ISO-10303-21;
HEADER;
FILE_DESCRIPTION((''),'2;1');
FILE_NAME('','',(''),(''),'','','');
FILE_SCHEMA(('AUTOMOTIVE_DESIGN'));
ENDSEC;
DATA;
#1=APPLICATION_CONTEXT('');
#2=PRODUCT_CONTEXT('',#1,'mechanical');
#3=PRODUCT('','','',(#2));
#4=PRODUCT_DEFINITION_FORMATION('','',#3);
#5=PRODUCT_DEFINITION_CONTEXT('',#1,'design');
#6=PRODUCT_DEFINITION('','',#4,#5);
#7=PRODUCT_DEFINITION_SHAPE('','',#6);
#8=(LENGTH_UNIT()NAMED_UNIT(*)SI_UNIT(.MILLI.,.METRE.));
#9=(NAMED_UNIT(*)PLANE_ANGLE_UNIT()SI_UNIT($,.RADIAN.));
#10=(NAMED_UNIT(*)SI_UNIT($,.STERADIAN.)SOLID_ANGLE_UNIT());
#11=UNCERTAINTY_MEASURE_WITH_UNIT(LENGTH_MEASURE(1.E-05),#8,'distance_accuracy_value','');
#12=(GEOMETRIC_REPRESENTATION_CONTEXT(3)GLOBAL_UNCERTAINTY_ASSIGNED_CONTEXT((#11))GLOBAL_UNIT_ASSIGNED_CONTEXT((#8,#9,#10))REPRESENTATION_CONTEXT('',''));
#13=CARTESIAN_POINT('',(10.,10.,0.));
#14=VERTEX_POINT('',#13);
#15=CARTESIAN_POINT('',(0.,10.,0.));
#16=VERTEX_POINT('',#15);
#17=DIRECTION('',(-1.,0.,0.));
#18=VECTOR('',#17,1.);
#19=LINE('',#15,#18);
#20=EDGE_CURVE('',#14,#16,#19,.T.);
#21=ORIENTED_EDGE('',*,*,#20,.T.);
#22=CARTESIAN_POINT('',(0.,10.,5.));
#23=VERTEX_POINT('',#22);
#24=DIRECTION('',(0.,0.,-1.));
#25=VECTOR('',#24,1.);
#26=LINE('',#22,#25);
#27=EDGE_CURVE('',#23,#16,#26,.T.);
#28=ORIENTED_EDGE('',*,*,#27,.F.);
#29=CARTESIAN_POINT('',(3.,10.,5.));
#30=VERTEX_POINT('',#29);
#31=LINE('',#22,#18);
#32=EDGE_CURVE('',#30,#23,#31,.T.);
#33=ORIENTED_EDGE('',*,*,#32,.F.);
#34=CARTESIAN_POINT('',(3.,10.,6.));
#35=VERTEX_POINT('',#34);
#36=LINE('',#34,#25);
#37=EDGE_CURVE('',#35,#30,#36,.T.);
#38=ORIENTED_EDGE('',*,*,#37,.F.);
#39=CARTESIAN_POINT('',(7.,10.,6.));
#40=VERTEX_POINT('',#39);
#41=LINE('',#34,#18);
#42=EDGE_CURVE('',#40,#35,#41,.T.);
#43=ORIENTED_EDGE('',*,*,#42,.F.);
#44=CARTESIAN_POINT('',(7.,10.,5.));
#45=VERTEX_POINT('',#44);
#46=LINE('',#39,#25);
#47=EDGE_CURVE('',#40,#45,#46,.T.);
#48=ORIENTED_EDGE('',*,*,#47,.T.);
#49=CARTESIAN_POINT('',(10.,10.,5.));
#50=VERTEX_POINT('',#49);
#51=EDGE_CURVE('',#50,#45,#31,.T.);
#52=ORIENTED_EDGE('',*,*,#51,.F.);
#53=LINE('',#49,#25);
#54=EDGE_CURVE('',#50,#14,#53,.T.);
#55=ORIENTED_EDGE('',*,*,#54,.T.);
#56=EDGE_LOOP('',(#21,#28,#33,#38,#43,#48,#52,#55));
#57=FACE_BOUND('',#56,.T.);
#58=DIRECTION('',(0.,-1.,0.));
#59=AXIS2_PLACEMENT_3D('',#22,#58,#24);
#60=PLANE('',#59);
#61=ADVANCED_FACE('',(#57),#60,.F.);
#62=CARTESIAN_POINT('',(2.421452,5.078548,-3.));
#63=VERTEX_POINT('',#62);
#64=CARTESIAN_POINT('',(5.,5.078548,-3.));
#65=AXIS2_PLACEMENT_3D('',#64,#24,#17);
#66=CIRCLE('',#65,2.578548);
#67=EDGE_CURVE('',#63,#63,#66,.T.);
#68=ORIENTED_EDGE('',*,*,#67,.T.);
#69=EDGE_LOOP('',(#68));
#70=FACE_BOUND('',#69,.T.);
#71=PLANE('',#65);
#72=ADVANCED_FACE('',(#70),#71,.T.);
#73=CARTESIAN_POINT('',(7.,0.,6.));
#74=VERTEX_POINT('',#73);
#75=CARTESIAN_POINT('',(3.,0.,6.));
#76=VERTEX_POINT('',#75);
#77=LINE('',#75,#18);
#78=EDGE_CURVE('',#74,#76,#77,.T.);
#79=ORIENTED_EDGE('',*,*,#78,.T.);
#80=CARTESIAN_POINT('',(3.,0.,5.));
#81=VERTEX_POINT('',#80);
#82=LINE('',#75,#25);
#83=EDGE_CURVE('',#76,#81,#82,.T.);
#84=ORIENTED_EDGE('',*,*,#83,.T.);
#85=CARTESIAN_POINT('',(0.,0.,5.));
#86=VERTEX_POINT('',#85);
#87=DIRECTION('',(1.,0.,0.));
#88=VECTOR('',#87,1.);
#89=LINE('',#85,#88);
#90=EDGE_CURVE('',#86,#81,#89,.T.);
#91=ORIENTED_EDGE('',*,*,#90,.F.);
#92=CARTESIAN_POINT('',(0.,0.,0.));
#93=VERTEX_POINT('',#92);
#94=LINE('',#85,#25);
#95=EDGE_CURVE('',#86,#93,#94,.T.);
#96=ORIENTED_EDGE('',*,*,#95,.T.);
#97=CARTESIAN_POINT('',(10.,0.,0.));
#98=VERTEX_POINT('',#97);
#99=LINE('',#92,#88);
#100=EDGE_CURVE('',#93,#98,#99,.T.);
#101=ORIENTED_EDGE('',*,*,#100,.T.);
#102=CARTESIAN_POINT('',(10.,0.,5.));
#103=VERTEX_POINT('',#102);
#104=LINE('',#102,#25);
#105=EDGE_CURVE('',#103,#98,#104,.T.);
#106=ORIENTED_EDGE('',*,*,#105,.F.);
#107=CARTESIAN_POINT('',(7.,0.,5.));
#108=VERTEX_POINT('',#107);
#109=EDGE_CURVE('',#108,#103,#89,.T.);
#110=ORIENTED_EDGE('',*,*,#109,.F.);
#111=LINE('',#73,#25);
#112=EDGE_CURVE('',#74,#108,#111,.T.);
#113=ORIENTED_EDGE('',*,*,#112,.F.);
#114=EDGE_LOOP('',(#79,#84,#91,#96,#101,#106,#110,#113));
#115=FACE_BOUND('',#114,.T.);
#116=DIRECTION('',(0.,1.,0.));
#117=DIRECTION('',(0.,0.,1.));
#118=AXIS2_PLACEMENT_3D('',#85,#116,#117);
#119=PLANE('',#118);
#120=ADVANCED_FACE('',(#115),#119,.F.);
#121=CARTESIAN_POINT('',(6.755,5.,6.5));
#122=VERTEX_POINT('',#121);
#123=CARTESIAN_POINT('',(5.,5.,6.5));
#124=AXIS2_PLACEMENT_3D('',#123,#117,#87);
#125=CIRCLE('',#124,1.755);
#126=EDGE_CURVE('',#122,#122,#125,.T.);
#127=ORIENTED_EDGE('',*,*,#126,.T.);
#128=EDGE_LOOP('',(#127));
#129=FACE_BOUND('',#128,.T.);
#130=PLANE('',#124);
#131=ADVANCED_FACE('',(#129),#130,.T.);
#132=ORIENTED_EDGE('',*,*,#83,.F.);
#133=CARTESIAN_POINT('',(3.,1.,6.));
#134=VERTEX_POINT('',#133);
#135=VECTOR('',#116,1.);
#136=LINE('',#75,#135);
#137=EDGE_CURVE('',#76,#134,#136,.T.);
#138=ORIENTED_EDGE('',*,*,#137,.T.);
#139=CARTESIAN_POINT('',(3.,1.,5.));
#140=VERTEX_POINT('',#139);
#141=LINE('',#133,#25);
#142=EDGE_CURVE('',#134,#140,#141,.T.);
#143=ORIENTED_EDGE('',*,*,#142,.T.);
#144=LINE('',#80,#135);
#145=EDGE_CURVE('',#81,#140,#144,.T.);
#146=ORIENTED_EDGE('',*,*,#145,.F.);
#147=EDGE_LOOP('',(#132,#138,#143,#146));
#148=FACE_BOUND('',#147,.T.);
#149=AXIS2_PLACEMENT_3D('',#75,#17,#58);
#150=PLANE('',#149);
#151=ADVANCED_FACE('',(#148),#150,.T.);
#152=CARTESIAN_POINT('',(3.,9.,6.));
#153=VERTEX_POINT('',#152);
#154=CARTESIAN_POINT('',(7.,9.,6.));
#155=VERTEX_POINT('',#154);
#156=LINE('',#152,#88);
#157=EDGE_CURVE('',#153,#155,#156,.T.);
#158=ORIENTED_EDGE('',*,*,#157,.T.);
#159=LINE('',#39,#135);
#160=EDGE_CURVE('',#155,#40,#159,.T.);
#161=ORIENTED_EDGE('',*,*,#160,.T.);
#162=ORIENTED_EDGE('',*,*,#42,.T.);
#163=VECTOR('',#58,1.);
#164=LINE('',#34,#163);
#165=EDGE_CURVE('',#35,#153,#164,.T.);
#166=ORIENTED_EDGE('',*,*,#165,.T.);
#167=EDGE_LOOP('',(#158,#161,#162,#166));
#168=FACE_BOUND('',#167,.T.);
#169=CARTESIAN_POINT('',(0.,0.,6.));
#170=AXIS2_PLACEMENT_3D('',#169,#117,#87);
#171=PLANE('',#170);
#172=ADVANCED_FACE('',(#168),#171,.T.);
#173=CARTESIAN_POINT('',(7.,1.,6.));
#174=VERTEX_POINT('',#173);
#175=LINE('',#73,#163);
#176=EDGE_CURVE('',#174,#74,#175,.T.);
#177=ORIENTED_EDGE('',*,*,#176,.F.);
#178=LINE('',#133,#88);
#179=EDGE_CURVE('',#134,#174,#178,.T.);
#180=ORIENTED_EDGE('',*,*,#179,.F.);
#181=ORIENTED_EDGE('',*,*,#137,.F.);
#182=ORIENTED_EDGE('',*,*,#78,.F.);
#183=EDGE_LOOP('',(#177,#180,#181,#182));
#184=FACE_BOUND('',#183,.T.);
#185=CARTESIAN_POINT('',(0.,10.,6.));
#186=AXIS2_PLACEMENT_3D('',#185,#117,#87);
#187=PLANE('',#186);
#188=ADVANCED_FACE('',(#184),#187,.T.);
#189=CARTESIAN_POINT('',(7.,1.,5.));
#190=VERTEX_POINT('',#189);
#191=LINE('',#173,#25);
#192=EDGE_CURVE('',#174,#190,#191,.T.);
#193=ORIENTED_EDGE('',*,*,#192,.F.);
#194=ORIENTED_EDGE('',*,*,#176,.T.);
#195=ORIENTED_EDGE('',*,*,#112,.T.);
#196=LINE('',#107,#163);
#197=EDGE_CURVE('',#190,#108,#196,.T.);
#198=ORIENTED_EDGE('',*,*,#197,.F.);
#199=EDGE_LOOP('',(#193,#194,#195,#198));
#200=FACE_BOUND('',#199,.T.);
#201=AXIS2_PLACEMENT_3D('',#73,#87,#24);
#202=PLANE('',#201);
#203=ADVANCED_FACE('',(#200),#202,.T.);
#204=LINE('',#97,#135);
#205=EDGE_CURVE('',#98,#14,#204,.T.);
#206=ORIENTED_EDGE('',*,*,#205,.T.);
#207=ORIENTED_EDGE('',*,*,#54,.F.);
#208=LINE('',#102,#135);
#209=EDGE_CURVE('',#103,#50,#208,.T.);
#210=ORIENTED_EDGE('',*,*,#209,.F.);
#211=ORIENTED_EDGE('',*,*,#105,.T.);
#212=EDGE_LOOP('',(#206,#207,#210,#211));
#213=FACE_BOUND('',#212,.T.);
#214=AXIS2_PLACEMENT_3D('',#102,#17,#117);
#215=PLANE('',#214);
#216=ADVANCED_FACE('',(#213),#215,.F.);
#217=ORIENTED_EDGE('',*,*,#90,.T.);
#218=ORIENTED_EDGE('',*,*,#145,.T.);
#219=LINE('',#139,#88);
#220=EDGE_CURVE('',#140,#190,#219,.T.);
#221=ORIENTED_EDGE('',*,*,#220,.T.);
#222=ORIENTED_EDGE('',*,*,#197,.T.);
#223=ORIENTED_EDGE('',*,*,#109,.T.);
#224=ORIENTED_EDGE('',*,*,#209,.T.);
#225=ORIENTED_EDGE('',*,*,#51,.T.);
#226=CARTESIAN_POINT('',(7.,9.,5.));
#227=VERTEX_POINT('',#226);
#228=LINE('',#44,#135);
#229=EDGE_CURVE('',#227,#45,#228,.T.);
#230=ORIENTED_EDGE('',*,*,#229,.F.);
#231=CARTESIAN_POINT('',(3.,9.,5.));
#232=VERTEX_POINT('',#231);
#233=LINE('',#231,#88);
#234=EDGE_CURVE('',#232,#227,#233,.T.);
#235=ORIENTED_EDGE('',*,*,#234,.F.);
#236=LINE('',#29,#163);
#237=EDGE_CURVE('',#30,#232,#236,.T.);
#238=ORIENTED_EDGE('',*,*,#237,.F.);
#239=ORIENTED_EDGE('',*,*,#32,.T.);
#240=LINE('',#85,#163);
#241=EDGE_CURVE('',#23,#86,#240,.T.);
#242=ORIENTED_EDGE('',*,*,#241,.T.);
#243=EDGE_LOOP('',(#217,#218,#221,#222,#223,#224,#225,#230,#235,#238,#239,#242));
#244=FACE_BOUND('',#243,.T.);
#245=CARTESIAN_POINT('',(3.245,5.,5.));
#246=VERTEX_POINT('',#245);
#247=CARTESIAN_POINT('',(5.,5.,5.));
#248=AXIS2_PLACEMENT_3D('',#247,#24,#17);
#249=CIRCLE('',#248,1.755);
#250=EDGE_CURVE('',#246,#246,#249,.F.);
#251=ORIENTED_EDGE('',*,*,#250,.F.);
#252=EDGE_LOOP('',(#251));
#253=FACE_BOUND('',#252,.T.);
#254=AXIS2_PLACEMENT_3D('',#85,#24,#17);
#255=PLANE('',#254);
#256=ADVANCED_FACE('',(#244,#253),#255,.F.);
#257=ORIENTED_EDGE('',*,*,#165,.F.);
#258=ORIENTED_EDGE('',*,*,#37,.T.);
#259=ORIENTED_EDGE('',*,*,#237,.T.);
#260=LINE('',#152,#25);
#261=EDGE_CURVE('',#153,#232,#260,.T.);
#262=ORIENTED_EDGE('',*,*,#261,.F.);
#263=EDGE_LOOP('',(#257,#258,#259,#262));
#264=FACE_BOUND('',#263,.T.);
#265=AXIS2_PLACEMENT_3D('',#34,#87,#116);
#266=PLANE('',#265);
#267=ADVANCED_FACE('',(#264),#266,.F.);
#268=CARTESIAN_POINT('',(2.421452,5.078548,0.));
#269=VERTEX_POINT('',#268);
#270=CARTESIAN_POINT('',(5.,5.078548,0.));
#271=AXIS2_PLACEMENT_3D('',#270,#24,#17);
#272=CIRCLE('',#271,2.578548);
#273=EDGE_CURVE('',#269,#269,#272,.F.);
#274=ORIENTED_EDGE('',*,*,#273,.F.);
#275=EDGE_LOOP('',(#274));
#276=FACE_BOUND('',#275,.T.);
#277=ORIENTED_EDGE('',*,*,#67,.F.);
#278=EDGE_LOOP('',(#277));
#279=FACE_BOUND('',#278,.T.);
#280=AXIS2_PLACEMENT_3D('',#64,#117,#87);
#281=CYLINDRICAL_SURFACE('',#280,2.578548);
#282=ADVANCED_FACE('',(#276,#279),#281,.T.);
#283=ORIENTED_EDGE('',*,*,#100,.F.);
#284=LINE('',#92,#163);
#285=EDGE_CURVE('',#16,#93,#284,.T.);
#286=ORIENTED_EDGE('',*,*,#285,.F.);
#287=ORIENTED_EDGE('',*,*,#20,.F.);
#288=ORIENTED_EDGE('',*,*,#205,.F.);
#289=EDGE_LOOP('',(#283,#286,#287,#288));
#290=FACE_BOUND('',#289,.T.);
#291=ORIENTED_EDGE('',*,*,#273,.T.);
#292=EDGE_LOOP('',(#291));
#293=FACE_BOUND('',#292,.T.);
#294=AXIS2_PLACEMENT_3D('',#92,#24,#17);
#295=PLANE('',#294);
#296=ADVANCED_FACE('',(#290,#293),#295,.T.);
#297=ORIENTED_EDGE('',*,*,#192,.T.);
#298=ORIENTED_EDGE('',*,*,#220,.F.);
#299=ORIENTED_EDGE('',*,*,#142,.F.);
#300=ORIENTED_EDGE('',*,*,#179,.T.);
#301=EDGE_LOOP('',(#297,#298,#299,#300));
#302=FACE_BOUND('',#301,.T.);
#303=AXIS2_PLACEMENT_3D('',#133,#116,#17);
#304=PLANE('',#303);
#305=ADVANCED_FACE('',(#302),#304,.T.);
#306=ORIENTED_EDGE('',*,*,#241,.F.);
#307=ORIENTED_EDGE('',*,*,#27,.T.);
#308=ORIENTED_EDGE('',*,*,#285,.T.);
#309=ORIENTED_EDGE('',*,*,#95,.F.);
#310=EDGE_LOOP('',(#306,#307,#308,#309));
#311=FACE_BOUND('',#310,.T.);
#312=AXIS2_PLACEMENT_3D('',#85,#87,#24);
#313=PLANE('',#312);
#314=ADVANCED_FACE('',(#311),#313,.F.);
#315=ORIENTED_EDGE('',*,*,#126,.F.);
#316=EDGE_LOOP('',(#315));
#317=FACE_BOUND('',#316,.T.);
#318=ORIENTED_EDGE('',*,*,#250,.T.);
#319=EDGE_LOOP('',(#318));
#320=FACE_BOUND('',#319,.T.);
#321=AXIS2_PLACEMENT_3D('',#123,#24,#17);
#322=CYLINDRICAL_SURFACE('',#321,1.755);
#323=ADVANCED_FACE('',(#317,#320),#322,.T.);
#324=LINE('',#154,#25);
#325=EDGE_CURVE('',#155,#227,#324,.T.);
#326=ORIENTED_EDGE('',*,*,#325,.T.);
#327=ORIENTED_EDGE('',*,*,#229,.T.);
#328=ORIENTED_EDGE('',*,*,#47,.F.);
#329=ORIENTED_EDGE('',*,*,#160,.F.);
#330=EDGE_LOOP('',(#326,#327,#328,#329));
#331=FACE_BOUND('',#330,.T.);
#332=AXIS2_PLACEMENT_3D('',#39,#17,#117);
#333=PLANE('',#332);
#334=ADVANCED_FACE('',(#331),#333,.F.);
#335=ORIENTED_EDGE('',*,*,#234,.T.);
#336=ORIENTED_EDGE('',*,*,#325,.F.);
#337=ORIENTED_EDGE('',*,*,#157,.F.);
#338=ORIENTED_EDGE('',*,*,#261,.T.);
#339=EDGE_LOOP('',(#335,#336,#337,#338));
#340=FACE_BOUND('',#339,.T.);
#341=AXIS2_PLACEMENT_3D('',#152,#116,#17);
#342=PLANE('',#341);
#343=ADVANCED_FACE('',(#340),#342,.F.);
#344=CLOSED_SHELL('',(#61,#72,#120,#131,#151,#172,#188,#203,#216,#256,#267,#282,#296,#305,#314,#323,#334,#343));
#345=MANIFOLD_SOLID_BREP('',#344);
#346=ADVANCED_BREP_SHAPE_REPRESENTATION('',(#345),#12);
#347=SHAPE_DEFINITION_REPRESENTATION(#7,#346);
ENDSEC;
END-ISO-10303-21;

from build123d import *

# Parameters (mm, degrees)
SKETCH1_W           = 10
SKETCH1_H           = 10
BOSS_EXTRUDE1_DEPTH = 5
SKETCH2_R           = 2.5
CUT_EXTRUDE1_DEPTH  = 4
SKETCH3_R           = 1.755
CUT_EXTRUDE2_DEPTH  = 1
SKETCH4_R           = 2.57854844
BOSS_EXTRUDE2_DEPTH = 7
SKETCH5_R           = 1.755
BOSS_EXTRUDE3_DEPTH = 2.5
SKETCH6_W           = 4
SKETCH6_H           = 1
BOSS_EXTRUDE4_DEPTH = 1


with BuildPart() as part:
    # Sketch1 → Boss-Extrude1 (new body)
    with BuildSketch(Plane.XY):
        with Locations((5, 5)):
            Rectangle(SKETCH1_W, SKETCH1_H)
    extrude(amount=BOSS_EXTRUDE1_DEPTH)

    # Sketch2 → Cut-Extrude1 (cut)
    with BuildSketch(Plane(origin=(0, 0, 0), x_dir=(-1, 0, 0), z_dir=(0, 0, -1))):
        with Locations((-5, 5)):
            Circle(SKETCH2_R)
    extrude(amount=-CUT_EXTRUDE1_DEPTH, mode=Mode.SUBTRACT)

    # Sketch3 → Cut-Extrude2 (cut)
    with BuildSketch(Plane(origin=(0, 0, 4), x_dir=(-1, 0, 0), z_dir=(0, 0, -1))):
        with Locations((-5, 5)):
            Circle(SKETCH3_R)
    extrude(amount=-CUT_EXTRUDE2_DEPTH, mode=Mode.SUBTRACT)

    # Sketch4 → Boss-Extrude2 (add)
    with BuildSketch(Plane(origin=(0, 0, 4), x_dir=(-1, 0, 0), z_dir=(0, 0, -1))):
        with Locations((-5, 5.07854844)):
            Circle(SKETCH4_R)
    extrude(amount=BOSS_EXTRUDE2_DEPTH)

    # Sketch5 → Boss-Extrude3 (add)
    with BuildSketch(Plane.XY.offset(4)):
        with Locations(Location((5, 5, 0), (0, 0, 180))):
            Circle(SKETCH5_R)
    extrude(amount=BOSS_EXTRUDE3_DEPTH)

    # Sketch6 → Boss-Extrude4 (add)
    with BuildSketch(Plane.XY.offset(5)):
        with Locations((5, 9.5)):
            Rectangle(SKETCH6_W, SKETCH6_H)
    boss_extrude4 = extrude(amount=BOSS_EXTRUDE4_DEPTH)

    # Mirror1: Boss-Extrude4 across plane
    add(boss_extrude4.mirror(Plane(origin=(0, 5, 0), x_dir=(0, 0, 1), z_dir=(0, -1, 0))))


solid = part.part
